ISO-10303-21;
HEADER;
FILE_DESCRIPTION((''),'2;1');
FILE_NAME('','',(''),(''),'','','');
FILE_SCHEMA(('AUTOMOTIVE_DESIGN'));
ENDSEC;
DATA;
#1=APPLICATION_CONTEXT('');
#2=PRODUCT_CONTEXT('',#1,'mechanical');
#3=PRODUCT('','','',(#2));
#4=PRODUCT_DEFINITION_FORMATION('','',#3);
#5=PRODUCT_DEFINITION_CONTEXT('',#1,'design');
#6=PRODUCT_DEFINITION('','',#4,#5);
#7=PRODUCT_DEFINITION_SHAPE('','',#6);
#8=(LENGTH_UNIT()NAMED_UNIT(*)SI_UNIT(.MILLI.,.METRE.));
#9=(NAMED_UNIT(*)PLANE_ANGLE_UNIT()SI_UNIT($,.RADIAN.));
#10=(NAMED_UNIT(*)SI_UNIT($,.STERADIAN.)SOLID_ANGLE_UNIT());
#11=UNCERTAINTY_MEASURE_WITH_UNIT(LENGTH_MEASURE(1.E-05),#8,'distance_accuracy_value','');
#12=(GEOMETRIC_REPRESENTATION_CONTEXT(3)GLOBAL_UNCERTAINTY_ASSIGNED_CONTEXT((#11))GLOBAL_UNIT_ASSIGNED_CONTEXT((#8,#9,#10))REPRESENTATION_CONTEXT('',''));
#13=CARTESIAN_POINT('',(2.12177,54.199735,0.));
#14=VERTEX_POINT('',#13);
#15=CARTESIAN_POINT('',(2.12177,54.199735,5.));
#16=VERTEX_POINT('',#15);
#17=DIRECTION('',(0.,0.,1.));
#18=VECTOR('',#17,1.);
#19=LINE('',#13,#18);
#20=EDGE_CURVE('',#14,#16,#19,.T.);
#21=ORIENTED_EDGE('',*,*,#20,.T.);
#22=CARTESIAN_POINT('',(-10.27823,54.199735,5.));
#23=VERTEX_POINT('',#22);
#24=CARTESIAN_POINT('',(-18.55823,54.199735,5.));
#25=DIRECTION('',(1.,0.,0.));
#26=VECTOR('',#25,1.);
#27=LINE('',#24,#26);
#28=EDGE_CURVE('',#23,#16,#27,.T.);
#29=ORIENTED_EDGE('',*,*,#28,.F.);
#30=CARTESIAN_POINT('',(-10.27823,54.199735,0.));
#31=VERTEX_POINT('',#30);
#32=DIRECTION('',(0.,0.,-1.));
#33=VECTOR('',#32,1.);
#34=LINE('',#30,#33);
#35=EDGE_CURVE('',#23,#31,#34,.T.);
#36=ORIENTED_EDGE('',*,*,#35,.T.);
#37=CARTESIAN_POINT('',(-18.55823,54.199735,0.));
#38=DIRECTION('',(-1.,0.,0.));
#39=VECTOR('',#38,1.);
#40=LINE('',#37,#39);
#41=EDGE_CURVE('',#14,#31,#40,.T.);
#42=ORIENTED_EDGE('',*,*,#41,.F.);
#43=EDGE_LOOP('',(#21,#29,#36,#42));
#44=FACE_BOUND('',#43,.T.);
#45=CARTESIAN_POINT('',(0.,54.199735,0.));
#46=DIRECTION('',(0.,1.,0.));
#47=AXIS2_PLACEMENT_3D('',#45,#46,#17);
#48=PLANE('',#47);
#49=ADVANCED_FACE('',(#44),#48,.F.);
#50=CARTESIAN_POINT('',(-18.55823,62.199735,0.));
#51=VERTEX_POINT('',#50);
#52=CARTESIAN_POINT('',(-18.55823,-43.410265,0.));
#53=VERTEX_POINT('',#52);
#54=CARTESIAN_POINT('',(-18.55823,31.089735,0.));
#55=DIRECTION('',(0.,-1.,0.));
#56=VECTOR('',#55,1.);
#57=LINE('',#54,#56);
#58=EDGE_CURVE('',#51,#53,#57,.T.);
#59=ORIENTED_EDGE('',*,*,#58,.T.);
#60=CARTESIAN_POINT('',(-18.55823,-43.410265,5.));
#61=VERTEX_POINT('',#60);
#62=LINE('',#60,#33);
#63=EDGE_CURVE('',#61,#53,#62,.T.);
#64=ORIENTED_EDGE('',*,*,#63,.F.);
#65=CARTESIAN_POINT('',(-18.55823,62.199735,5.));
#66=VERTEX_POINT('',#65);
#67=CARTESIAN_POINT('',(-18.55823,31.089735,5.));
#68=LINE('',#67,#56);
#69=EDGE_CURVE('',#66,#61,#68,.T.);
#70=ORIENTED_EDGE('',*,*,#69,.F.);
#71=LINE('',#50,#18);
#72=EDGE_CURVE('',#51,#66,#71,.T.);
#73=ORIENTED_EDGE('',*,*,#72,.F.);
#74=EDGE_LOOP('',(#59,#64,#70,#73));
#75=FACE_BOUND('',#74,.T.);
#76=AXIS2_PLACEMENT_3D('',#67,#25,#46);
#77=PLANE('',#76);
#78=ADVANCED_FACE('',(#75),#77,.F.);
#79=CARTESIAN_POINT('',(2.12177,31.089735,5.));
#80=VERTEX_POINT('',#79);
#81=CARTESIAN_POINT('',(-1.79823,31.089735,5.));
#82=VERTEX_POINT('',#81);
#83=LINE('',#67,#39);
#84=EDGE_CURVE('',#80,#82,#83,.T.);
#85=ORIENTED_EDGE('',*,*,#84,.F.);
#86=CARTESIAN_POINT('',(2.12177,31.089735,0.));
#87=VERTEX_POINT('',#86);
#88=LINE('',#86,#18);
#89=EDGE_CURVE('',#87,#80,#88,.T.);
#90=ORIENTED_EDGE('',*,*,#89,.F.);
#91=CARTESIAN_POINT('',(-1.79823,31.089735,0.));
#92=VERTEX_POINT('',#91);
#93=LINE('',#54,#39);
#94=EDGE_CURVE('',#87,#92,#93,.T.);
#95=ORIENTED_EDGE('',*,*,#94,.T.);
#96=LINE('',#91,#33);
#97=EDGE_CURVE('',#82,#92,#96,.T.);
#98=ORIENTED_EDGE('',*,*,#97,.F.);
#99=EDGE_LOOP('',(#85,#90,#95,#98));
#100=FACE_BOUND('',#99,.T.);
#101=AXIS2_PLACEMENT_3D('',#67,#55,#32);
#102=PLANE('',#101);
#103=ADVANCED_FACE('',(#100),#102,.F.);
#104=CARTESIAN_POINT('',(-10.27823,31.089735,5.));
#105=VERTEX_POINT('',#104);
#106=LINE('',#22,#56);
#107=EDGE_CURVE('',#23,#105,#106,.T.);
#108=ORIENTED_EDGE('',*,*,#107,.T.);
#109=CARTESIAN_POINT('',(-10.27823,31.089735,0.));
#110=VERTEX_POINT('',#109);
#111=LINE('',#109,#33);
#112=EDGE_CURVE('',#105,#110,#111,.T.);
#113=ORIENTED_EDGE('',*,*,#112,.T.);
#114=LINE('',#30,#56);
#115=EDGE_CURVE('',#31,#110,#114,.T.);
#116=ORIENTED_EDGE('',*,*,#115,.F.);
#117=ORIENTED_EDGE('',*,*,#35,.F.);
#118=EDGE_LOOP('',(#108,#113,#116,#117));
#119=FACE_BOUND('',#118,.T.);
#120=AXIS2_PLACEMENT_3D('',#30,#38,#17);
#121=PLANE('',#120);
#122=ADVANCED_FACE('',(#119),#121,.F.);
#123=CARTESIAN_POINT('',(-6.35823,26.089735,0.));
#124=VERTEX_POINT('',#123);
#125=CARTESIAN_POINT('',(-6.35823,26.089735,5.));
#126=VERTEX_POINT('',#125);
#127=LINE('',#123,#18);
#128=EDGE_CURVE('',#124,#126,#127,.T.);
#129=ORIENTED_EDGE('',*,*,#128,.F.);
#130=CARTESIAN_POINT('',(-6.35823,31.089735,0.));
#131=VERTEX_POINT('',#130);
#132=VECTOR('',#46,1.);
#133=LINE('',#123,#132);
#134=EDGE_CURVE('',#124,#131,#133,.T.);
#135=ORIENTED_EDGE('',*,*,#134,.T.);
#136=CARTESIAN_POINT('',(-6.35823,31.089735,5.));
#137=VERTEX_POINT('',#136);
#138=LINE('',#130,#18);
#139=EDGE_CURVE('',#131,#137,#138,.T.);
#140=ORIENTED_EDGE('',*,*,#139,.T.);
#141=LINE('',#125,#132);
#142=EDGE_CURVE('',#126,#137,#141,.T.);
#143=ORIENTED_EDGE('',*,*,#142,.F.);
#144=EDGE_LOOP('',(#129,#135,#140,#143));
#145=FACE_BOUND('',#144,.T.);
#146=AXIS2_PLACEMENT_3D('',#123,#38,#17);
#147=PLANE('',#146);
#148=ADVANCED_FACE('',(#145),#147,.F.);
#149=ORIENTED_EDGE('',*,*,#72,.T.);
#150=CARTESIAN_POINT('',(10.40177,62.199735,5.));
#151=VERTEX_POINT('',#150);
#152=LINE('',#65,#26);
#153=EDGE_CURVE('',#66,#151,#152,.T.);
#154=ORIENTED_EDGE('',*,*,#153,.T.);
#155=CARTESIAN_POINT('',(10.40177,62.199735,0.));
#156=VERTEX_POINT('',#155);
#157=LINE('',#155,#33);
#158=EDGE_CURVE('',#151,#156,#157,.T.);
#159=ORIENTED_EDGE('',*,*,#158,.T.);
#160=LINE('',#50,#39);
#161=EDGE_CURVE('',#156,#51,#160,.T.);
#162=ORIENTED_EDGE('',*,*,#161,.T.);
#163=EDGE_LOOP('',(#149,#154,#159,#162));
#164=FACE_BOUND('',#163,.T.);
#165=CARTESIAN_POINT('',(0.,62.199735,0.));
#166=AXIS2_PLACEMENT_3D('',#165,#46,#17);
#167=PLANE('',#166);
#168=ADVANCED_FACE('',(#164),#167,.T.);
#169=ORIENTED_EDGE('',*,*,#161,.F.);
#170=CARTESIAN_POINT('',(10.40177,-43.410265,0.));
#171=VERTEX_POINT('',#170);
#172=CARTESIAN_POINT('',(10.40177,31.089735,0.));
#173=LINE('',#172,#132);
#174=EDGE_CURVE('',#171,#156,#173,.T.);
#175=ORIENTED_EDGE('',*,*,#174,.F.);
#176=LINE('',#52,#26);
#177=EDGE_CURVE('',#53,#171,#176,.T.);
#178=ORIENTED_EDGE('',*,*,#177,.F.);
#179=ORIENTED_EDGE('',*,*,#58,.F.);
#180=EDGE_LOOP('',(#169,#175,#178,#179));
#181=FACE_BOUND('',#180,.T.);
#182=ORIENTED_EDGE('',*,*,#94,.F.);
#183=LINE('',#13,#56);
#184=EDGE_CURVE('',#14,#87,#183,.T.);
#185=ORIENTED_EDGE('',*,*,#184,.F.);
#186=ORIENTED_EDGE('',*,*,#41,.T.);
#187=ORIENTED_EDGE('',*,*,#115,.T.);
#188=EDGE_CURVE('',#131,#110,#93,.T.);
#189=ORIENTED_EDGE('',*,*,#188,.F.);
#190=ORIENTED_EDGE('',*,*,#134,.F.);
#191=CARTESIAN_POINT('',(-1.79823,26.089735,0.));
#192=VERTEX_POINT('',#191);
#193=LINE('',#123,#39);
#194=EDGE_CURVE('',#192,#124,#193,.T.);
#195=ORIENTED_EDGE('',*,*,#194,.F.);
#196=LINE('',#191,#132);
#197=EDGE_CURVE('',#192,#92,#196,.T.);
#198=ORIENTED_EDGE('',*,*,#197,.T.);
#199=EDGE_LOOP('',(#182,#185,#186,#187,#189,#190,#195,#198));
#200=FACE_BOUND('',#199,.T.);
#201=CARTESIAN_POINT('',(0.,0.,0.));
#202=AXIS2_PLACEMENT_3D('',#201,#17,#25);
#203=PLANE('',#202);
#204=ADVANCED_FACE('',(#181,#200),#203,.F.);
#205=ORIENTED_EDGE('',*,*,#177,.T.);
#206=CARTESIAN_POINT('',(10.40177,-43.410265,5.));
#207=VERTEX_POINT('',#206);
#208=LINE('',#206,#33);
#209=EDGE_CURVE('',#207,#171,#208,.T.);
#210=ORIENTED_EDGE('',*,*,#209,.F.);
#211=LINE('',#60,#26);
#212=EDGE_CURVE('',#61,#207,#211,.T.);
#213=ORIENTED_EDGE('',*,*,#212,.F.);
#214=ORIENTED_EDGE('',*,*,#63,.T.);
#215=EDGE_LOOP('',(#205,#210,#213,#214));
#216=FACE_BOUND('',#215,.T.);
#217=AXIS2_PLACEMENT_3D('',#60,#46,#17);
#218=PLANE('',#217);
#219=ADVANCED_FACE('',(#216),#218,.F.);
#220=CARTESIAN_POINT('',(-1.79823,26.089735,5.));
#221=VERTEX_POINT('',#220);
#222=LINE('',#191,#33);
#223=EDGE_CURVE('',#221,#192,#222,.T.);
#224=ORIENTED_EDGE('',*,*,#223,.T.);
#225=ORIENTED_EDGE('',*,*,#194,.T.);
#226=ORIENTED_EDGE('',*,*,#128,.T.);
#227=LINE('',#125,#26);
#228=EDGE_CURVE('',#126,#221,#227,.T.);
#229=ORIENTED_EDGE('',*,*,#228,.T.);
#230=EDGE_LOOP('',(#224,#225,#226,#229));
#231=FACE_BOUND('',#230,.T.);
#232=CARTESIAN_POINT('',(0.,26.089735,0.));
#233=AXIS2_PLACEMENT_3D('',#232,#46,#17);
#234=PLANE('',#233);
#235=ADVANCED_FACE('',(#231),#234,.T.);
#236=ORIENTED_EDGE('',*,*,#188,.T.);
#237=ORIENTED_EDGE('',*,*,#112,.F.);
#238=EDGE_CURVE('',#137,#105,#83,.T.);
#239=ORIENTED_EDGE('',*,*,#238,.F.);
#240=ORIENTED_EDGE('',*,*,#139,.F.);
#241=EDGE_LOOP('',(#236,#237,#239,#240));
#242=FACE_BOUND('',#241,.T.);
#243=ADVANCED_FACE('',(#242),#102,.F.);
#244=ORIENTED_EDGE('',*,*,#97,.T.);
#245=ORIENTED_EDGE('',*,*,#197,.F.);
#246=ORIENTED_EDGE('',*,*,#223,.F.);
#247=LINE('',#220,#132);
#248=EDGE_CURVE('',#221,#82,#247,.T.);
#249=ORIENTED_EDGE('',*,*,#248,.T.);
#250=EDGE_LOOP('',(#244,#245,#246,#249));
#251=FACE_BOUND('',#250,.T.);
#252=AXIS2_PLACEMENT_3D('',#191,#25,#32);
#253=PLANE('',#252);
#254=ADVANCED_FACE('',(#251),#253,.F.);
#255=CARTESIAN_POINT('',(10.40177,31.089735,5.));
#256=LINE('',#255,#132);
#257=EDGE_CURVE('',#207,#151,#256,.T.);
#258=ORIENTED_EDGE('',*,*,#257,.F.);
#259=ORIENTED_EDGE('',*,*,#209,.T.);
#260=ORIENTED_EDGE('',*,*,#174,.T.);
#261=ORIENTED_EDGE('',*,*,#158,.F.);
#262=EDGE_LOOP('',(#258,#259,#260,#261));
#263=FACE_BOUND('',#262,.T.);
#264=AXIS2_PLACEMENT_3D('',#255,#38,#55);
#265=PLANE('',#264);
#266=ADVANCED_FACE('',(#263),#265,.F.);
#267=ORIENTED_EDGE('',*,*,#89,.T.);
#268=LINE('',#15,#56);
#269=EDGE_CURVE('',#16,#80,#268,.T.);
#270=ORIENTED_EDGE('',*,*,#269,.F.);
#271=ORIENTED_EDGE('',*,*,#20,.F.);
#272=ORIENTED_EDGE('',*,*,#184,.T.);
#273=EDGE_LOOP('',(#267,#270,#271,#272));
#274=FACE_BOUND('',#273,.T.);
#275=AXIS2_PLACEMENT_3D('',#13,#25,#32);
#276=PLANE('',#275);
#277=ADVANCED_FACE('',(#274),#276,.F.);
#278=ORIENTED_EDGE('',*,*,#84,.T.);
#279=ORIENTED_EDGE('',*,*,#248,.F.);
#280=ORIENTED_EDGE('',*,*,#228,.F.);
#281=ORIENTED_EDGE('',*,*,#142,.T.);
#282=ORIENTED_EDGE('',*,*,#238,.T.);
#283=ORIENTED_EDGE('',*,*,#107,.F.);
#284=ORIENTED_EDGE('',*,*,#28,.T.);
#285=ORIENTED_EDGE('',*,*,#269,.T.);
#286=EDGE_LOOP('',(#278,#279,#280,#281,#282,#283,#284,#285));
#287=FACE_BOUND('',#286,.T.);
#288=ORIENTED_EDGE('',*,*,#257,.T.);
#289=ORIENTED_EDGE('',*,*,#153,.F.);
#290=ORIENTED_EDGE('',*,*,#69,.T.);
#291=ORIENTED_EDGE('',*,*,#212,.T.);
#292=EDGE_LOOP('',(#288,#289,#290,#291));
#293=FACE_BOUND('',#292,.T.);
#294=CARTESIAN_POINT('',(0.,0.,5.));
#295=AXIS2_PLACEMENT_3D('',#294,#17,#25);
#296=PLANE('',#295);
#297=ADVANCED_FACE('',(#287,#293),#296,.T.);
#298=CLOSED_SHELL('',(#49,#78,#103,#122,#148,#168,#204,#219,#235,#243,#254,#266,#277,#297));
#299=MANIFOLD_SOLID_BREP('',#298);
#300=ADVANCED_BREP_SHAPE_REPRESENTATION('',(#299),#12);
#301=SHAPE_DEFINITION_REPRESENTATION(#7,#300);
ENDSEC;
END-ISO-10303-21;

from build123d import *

# Parameters (mm, degrees)
SKETCH1_W           = 28.96
SKETCH1_H           = 74.5
BOSS_EXTRUDE1_DEPTH = 5
SKETCH2_W           = 8.28
SKETCH2_H           = 5
BOSS_EXTRUDE2_DEPTH = 23.11
SKETCH3_W           = 28.96
SKETCH3_H           = 5
BOSS_EXTRUDE3_DEPTH = 8
SKETCH4_W           = 4.56
SKETCH4_H           = 5
CUT_EXTRUDE1_DEPTH  = 5


with BuildPart() as part:
    # Sketch1 → Boss-Extrude1 (new body)
    with BuildSketch(Plane.XY):
        with Locations((-4.078230088, -6.160265487)):
            Rectangle(SKETCH1_W, SKETCH1_H)
    extrude(amount=BOSS_EXTRUDE1_DEPTH)

    # Sketch2 → Boss-Extrude2 (add)
    with BuildSketch(Plane(origin=(0, 31.089734513, 0), x_dir=(1, 0, 0), z_dir=(0, 1, 0))):
        with Locations((-14.418230088, -2.5)):
            Rectangle(SKETCH2_W, SKETCH2_H)
        with Locations((6.261769912, -2.5)):
            Rectangle(SKETCH2_W, SKETCH2_H)
    extrude(amount=BOSS_EXTRUDE2_DEPTH)

    # Sketch3 → Boss-Extrude3 (add)
    with BuildSketch(Plane(origin=(0, 54.199734513, 0), x_dir=(1, 0, 0), z_dir=(0, 1, 0))):
        with Locations((-4.078230088, -2.5)):
            Rectangle(SKETCH3_W, SKETCH3_H)
    extrude(amount=BOSS_EXTRUDE3_DEPTH)

    # Sketch4 → Cut-Extrude1 (cut)
    with BuildSketch(Plane(origin=(0, 31.089734513, 0), x_dir=(1, 0, 0), z_dir=(0, 1, 0))):
        with Locations((-4.078230088, -2.5)):
            Rectangle(SKETCH4_W, SKETCH4_H)
    extrude(amount=-CUT_EXTRUDE1_DEPTH, mode=Mode.SUBTRACT)


solid = part.part
